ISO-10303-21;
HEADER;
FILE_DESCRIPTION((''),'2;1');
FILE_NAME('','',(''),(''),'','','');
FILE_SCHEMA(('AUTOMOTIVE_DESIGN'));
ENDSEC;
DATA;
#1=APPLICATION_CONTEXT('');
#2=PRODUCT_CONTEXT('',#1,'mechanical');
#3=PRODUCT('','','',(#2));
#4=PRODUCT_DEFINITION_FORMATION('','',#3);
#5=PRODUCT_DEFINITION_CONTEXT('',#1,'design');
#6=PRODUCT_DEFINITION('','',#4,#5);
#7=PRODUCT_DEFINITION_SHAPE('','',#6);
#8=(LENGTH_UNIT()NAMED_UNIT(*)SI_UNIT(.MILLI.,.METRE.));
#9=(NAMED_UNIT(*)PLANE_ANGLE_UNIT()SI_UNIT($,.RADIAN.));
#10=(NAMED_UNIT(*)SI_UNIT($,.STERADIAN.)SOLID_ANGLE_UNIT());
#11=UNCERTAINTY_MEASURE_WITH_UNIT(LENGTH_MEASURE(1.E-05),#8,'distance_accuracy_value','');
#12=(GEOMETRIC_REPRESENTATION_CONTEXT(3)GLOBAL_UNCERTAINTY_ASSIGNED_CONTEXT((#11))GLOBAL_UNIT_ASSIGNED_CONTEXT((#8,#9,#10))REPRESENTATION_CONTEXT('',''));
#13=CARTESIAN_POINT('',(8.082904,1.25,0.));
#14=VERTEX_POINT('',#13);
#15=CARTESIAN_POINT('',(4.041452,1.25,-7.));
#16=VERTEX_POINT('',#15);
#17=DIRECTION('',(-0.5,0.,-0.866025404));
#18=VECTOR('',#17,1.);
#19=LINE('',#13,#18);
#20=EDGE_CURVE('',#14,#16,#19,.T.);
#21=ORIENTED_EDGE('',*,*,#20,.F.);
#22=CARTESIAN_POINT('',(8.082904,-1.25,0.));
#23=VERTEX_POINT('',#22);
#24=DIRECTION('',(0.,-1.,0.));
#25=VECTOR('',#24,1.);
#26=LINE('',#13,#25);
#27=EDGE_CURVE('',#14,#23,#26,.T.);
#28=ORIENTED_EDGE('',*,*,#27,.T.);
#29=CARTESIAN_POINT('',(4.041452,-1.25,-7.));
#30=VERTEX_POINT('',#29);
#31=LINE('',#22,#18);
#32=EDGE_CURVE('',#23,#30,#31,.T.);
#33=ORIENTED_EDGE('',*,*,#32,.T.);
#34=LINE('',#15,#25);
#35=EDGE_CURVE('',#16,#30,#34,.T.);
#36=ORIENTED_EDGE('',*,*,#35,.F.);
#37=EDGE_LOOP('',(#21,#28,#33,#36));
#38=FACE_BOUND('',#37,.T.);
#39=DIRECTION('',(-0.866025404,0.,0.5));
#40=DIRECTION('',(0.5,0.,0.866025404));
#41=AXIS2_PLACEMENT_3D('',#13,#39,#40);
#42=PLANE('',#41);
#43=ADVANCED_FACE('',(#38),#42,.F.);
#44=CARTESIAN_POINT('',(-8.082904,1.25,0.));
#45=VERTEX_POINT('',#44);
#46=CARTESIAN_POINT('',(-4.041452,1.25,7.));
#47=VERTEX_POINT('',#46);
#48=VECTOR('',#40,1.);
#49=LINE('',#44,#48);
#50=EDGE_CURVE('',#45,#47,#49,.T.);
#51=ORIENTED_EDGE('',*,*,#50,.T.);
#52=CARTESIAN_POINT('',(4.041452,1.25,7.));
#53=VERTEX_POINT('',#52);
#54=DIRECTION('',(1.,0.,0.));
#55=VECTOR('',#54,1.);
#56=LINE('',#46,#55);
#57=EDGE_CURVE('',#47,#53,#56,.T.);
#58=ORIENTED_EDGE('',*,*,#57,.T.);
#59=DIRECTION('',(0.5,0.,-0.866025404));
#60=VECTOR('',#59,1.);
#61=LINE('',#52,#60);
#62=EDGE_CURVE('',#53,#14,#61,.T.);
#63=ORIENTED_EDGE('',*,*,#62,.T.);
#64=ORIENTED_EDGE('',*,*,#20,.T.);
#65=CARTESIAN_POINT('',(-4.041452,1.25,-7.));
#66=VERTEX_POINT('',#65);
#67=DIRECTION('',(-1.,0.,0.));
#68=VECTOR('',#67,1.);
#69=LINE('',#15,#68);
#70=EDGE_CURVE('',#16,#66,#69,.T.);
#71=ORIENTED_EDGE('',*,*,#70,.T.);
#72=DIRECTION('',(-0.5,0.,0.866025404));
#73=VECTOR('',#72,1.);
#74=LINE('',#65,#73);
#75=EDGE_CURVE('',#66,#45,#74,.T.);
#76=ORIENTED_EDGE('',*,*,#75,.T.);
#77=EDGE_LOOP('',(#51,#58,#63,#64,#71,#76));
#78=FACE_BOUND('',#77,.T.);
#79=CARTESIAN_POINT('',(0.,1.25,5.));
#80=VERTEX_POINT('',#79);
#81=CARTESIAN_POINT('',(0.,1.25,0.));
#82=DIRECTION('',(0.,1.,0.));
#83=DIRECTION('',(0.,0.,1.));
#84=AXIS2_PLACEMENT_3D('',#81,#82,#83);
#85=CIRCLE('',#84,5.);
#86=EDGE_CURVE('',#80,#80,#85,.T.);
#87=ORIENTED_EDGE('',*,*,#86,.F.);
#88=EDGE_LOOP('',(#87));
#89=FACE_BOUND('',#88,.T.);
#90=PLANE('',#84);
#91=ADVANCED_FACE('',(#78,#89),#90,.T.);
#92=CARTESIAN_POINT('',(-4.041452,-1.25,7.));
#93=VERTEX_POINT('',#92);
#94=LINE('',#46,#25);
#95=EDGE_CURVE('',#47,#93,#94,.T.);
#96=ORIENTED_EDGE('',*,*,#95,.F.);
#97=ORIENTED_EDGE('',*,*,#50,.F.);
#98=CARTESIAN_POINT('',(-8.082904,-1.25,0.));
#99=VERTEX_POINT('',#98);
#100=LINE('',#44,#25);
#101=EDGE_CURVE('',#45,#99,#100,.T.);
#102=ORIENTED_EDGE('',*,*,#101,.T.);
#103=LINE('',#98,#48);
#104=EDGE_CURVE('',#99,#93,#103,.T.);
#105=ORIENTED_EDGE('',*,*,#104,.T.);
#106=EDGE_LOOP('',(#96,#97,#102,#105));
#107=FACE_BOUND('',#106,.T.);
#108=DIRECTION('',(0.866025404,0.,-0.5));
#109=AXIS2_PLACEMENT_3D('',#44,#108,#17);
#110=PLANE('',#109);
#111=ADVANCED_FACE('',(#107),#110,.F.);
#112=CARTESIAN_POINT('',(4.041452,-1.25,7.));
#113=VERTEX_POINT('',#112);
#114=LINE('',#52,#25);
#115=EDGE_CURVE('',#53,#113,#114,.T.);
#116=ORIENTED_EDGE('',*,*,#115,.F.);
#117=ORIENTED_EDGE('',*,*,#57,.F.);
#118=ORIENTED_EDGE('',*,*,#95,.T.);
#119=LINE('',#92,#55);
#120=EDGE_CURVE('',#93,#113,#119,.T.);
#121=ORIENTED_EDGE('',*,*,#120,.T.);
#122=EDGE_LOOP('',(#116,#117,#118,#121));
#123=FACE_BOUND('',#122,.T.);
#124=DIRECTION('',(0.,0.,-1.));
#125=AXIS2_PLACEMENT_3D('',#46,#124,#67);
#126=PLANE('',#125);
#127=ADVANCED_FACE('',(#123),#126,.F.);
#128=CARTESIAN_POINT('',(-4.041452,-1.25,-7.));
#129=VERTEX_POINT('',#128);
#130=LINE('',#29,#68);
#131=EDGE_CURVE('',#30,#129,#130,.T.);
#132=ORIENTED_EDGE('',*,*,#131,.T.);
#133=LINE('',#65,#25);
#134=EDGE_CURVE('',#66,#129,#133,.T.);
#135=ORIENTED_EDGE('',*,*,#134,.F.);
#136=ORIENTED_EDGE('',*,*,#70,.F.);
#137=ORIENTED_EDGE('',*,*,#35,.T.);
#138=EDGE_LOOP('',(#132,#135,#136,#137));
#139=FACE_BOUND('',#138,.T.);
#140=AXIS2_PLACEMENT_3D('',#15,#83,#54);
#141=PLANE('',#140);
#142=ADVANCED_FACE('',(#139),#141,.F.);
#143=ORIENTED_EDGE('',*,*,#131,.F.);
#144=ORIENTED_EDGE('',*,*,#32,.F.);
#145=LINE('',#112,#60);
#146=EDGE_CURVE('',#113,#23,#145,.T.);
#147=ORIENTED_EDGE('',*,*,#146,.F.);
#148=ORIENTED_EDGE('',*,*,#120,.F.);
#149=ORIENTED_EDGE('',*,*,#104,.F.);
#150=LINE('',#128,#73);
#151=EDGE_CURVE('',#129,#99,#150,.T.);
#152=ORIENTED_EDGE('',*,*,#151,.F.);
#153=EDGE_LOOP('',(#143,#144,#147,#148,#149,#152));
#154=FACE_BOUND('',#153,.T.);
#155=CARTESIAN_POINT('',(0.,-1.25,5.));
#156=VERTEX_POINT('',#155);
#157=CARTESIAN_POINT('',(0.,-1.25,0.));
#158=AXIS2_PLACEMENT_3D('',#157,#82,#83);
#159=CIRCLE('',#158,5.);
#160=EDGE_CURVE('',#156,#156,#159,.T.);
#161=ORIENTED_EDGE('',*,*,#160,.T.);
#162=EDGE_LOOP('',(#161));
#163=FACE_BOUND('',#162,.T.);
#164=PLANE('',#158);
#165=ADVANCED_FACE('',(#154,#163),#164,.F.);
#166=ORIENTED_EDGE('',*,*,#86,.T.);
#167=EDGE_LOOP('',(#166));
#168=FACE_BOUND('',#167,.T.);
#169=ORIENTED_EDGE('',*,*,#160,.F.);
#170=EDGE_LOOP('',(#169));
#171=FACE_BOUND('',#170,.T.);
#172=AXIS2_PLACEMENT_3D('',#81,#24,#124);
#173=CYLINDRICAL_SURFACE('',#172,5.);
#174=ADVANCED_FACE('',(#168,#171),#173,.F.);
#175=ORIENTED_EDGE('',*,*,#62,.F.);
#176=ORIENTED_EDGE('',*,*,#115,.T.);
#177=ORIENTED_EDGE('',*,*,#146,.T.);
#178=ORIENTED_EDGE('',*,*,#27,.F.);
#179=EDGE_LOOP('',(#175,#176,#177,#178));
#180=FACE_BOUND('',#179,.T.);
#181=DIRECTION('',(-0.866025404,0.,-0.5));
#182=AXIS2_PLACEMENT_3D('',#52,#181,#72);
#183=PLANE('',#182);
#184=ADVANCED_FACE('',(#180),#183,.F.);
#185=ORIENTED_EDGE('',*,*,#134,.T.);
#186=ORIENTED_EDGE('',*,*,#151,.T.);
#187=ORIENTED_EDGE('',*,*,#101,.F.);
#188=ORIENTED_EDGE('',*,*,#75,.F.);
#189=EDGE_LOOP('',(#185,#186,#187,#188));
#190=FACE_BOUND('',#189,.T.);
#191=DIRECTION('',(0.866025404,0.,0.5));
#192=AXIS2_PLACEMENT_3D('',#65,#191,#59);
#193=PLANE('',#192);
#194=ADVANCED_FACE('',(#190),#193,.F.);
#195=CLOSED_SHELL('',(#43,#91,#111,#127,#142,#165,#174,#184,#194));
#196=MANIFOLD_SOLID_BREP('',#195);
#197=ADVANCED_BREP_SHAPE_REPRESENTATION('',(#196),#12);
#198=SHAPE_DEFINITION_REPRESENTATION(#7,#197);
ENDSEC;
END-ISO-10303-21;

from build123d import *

# Parameters (mm, degrees)
SKETCH1_R           = 5
BOSS_EXTRUDE1_DEPTH = 1.25


with BuildPart() as part:
    # Sketch1 → Boss-Extrude1 (new body, symmetric)
    with BuildSketch(Plane(origin=(0, 0, 0), x_dir=(1, 0, 0), z_dir=(0, 1, 0))):
        Polygon((8.082903769, 0), (4.041451884, 7), (-4.041451884, 7), (-8.082903769, 0), (-4.041451884, -7), (4.041451884, -7), align=None)
        Circle(SKETCH1_R, mode=Mode.SUBTRACT)
    extrude(amount=BOSS_EXTRUDE1_DEPTH, both=True)


solid = part.part
